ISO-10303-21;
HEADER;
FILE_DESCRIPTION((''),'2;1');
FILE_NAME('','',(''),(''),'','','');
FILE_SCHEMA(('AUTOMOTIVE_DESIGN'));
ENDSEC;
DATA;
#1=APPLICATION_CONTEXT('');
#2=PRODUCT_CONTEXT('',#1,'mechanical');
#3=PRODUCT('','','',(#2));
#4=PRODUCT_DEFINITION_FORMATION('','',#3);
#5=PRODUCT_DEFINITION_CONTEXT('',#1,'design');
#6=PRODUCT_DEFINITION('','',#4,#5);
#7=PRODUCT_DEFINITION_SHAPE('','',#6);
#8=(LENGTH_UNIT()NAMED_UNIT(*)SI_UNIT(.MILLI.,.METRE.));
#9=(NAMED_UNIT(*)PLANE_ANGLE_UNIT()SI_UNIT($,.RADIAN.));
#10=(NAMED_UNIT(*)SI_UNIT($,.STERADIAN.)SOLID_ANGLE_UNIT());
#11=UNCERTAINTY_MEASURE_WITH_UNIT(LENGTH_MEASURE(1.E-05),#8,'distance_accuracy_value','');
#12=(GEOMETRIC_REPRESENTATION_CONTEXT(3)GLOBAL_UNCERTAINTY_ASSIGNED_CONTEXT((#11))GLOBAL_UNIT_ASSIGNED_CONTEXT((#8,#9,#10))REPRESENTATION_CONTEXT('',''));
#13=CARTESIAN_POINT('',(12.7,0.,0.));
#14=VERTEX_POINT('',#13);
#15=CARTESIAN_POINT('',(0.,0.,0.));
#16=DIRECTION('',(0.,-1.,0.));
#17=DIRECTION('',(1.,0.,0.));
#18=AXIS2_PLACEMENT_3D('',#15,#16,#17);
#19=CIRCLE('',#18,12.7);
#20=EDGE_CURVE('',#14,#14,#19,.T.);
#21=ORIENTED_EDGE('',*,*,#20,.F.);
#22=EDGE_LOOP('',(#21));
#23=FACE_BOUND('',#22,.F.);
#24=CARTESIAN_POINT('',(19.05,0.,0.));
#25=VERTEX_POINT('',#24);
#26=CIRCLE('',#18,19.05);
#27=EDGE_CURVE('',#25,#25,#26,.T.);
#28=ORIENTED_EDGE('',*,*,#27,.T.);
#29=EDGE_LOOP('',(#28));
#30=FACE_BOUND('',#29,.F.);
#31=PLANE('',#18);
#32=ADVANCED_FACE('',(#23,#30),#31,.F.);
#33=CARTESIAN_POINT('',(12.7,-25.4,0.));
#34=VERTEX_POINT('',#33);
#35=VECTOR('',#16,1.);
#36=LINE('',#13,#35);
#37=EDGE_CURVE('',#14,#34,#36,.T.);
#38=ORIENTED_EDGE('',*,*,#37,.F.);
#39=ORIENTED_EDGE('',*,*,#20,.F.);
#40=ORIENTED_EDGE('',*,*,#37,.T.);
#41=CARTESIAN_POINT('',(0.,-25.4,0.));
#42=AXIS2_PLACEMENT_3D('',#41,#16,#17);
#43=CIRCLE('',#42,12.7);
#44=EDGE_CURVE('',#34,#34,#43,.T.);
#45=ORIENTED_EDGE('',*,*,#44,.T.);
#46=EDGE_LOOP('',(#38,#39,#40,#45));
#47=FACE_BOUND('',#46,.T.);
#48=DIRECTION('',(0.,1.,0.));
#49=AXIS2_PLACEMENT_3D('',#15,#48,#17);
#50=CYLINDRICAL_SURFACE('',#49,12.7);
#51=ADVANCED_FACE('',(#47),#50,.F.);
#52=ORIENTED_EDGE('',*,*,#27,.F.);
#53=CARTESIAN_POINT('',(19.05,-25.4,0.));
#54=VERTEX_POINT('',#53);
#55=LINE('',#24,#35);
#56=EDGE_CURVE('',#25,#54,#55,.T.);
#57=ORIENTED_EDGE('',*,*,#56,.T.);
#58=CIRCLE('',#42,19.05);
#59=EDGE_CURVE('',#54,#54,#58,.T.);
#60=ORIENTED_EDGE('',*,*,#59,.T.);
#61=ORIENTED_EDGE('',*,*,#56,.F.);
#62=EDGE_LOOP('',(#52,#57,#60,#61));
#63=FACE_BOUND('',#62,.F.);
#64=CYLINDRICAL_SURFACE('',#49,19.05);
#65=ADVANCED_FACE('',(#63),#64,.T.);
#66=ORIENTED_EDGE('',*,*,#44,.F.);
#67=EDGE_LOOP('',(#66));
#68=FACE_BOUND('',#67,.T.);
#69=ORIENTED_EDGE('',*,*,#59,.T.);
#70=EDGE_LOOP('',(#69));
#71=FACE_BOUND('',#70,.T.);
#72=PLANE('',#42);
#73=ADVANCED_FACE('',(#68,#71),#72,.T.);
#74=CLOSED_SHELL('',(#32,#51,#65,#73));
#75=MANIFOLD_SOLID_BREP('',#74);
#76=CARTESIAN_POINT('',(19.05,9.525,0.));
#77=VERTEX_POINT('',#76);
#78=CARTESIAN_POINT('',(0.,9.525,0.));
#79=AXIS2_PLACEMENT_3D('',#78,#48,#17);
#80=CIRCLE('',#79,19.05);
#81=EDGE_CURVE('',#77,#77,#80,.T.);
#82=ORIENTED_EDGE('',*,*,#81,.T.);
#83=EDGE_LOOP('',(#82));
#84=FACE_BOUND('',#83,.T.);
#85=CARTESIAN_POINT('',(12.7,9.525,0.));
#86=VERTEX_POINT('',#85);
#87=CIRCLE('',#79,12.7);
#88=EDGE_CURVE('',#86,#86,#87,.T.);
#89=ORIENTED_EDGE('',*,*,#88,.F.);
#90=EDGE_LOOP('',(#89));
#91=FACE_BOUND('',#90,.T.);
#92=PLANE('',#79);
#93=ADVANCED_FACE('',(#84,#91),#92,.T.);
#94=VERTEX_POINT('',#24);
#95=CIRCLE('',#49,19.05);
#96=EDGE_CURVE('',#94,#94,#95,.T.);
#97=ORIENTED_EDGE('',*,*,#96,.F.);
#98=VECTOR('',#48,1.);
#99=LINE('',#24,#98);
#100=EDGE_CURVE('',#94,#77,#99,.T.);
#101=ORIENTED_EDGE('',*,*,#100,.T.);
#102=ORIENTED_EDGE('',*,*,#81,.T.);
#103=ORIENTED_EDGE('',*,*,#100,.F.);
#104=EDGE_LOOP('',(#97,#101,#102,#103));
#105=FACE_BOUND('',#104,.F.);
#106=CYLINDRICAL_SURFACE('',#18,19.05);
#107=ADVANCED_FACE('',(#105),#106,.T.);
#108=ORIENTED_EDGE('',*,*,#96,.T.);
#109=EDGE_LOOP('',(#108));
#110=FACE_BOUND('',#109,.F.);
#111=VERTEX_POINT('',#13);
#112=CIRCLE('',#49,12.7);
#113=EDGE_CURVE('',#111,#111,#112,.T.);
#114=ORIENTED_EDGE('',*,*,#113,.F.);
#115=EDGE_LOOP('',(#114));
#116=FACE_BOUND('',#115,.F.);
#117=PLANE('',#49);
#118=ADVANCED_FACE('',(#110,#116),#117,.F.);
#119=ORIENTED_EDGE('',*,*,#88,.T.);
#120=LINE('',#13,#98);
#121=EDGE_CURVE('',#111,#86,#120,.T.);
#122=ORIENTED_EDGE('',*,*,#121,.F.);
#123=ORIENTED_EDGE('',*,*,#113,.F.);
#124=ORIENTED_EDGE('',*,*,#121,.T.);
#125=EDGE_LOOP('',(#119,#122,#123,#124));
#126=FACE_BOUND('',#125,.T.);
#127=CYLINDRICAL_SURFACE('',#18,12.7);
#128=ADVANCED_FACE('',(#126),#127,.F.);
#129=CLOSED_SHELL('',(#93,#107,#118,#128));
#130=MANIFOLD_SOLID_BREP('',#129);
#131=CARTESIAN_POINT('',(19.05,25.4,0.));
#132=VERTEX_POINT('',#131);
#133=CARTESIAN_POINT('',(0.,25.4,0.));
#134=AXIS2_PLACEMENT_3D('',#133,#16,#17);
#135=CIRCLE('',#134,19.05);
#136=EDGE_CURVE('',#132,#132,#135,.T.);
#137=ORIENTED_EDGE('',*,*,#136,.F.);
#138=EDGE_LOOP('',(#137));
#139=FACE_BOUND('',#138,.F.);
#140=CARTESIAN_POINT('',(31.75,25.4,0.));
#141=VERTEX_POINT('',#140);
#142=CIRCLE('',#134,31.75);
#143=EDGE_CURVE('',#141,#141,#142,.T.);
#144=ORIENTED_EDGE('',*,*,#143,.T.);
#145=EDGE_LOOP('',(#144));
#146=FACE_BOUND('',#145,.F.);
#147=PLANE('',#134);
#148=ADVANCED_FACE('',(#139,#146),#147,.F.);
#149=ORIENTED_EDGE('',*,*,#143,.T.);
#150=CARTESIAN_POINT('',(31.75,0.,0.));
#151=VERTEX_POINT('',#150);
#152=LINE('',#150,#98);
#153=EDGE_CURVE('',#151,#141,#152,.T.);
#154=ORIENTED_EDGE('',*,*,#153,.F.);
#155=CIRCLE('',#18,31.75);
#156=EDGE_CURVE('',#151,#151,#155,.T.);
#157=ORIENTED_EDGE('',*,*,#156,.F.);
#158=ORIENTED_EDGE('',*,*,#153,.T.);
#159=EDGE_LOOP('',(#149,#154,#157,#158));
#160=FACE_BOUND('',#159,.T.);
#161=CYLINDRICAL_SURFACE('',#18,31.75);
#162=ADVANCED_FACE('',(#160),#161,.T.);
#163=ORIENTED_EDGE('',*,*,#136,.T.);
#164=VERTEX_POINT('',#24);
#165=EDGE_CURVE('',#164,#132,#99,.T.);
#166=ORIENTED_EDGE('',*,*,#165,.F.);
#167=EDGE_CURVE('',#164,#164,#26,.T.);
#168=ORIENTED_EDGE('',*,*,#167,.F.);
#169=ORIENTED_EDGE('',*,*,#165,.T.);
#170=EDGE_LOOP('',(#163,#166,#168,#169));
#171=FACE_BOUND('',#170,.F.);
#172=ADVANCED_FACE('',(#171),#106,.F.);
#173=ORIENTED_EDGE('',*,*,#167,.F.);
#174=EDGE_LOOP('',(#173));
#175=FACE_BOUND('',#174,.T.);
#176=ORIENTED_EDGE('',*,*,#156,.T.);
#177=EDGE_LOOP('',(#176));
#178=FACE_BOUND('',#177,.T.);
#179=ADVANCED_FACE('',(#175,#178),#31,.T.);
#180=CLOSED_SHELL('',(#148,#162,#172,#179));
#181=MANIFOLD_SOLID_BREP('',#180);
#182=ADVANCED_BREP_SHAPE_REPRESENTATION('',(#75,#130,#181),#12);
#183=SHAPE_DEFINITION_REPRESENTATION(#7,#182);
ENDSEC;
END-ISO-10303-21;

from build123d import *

# Parameters (mm, degrees)
F0_R        = 19.05
F0_R_2      = 12.7
F1_DEPTH    = 25.4
F0_R_3      = 31.75
F2_DEPTH    = 25.4
F1_FACE_R   = 19.05
F1_FACE_R_2 = 12.7
F3_DEPTH    = 9.525


with BuildPart() as f1:
    # F0 (on Front) → F1 (new body)
    with BuildSketch(Plane.XZ):
        Circle(F0_R)
        Circle(F0_R_2, mode=Mode.SUBTRACT)
    extrude(amount=F1_DEPTH)

    # F0 (on Front) → F2 (join)
    with BuildSketch(Plane.XZ):
        Circle(F0_R_3)
        Circle(F0_R, mode=Mode.SUBTRACT)
    extrude(amount=-F2_DEPTH)


with BuildPart() as f3:
    # F1_face (on face) → F3 (new body)
    with BuildSketch(Plane(origin=(0, 0, 0), x_dir=(1, 0, 0), z_dir=(0, 1, 0))):
        Circle(F1_FACE_R)
        Circle(F1_FACE_R_2, mode=Mode.SUBTRACT)
    extrude(amount=F3_DEPTH)


solid = Compound([f1.part, f3.part])
